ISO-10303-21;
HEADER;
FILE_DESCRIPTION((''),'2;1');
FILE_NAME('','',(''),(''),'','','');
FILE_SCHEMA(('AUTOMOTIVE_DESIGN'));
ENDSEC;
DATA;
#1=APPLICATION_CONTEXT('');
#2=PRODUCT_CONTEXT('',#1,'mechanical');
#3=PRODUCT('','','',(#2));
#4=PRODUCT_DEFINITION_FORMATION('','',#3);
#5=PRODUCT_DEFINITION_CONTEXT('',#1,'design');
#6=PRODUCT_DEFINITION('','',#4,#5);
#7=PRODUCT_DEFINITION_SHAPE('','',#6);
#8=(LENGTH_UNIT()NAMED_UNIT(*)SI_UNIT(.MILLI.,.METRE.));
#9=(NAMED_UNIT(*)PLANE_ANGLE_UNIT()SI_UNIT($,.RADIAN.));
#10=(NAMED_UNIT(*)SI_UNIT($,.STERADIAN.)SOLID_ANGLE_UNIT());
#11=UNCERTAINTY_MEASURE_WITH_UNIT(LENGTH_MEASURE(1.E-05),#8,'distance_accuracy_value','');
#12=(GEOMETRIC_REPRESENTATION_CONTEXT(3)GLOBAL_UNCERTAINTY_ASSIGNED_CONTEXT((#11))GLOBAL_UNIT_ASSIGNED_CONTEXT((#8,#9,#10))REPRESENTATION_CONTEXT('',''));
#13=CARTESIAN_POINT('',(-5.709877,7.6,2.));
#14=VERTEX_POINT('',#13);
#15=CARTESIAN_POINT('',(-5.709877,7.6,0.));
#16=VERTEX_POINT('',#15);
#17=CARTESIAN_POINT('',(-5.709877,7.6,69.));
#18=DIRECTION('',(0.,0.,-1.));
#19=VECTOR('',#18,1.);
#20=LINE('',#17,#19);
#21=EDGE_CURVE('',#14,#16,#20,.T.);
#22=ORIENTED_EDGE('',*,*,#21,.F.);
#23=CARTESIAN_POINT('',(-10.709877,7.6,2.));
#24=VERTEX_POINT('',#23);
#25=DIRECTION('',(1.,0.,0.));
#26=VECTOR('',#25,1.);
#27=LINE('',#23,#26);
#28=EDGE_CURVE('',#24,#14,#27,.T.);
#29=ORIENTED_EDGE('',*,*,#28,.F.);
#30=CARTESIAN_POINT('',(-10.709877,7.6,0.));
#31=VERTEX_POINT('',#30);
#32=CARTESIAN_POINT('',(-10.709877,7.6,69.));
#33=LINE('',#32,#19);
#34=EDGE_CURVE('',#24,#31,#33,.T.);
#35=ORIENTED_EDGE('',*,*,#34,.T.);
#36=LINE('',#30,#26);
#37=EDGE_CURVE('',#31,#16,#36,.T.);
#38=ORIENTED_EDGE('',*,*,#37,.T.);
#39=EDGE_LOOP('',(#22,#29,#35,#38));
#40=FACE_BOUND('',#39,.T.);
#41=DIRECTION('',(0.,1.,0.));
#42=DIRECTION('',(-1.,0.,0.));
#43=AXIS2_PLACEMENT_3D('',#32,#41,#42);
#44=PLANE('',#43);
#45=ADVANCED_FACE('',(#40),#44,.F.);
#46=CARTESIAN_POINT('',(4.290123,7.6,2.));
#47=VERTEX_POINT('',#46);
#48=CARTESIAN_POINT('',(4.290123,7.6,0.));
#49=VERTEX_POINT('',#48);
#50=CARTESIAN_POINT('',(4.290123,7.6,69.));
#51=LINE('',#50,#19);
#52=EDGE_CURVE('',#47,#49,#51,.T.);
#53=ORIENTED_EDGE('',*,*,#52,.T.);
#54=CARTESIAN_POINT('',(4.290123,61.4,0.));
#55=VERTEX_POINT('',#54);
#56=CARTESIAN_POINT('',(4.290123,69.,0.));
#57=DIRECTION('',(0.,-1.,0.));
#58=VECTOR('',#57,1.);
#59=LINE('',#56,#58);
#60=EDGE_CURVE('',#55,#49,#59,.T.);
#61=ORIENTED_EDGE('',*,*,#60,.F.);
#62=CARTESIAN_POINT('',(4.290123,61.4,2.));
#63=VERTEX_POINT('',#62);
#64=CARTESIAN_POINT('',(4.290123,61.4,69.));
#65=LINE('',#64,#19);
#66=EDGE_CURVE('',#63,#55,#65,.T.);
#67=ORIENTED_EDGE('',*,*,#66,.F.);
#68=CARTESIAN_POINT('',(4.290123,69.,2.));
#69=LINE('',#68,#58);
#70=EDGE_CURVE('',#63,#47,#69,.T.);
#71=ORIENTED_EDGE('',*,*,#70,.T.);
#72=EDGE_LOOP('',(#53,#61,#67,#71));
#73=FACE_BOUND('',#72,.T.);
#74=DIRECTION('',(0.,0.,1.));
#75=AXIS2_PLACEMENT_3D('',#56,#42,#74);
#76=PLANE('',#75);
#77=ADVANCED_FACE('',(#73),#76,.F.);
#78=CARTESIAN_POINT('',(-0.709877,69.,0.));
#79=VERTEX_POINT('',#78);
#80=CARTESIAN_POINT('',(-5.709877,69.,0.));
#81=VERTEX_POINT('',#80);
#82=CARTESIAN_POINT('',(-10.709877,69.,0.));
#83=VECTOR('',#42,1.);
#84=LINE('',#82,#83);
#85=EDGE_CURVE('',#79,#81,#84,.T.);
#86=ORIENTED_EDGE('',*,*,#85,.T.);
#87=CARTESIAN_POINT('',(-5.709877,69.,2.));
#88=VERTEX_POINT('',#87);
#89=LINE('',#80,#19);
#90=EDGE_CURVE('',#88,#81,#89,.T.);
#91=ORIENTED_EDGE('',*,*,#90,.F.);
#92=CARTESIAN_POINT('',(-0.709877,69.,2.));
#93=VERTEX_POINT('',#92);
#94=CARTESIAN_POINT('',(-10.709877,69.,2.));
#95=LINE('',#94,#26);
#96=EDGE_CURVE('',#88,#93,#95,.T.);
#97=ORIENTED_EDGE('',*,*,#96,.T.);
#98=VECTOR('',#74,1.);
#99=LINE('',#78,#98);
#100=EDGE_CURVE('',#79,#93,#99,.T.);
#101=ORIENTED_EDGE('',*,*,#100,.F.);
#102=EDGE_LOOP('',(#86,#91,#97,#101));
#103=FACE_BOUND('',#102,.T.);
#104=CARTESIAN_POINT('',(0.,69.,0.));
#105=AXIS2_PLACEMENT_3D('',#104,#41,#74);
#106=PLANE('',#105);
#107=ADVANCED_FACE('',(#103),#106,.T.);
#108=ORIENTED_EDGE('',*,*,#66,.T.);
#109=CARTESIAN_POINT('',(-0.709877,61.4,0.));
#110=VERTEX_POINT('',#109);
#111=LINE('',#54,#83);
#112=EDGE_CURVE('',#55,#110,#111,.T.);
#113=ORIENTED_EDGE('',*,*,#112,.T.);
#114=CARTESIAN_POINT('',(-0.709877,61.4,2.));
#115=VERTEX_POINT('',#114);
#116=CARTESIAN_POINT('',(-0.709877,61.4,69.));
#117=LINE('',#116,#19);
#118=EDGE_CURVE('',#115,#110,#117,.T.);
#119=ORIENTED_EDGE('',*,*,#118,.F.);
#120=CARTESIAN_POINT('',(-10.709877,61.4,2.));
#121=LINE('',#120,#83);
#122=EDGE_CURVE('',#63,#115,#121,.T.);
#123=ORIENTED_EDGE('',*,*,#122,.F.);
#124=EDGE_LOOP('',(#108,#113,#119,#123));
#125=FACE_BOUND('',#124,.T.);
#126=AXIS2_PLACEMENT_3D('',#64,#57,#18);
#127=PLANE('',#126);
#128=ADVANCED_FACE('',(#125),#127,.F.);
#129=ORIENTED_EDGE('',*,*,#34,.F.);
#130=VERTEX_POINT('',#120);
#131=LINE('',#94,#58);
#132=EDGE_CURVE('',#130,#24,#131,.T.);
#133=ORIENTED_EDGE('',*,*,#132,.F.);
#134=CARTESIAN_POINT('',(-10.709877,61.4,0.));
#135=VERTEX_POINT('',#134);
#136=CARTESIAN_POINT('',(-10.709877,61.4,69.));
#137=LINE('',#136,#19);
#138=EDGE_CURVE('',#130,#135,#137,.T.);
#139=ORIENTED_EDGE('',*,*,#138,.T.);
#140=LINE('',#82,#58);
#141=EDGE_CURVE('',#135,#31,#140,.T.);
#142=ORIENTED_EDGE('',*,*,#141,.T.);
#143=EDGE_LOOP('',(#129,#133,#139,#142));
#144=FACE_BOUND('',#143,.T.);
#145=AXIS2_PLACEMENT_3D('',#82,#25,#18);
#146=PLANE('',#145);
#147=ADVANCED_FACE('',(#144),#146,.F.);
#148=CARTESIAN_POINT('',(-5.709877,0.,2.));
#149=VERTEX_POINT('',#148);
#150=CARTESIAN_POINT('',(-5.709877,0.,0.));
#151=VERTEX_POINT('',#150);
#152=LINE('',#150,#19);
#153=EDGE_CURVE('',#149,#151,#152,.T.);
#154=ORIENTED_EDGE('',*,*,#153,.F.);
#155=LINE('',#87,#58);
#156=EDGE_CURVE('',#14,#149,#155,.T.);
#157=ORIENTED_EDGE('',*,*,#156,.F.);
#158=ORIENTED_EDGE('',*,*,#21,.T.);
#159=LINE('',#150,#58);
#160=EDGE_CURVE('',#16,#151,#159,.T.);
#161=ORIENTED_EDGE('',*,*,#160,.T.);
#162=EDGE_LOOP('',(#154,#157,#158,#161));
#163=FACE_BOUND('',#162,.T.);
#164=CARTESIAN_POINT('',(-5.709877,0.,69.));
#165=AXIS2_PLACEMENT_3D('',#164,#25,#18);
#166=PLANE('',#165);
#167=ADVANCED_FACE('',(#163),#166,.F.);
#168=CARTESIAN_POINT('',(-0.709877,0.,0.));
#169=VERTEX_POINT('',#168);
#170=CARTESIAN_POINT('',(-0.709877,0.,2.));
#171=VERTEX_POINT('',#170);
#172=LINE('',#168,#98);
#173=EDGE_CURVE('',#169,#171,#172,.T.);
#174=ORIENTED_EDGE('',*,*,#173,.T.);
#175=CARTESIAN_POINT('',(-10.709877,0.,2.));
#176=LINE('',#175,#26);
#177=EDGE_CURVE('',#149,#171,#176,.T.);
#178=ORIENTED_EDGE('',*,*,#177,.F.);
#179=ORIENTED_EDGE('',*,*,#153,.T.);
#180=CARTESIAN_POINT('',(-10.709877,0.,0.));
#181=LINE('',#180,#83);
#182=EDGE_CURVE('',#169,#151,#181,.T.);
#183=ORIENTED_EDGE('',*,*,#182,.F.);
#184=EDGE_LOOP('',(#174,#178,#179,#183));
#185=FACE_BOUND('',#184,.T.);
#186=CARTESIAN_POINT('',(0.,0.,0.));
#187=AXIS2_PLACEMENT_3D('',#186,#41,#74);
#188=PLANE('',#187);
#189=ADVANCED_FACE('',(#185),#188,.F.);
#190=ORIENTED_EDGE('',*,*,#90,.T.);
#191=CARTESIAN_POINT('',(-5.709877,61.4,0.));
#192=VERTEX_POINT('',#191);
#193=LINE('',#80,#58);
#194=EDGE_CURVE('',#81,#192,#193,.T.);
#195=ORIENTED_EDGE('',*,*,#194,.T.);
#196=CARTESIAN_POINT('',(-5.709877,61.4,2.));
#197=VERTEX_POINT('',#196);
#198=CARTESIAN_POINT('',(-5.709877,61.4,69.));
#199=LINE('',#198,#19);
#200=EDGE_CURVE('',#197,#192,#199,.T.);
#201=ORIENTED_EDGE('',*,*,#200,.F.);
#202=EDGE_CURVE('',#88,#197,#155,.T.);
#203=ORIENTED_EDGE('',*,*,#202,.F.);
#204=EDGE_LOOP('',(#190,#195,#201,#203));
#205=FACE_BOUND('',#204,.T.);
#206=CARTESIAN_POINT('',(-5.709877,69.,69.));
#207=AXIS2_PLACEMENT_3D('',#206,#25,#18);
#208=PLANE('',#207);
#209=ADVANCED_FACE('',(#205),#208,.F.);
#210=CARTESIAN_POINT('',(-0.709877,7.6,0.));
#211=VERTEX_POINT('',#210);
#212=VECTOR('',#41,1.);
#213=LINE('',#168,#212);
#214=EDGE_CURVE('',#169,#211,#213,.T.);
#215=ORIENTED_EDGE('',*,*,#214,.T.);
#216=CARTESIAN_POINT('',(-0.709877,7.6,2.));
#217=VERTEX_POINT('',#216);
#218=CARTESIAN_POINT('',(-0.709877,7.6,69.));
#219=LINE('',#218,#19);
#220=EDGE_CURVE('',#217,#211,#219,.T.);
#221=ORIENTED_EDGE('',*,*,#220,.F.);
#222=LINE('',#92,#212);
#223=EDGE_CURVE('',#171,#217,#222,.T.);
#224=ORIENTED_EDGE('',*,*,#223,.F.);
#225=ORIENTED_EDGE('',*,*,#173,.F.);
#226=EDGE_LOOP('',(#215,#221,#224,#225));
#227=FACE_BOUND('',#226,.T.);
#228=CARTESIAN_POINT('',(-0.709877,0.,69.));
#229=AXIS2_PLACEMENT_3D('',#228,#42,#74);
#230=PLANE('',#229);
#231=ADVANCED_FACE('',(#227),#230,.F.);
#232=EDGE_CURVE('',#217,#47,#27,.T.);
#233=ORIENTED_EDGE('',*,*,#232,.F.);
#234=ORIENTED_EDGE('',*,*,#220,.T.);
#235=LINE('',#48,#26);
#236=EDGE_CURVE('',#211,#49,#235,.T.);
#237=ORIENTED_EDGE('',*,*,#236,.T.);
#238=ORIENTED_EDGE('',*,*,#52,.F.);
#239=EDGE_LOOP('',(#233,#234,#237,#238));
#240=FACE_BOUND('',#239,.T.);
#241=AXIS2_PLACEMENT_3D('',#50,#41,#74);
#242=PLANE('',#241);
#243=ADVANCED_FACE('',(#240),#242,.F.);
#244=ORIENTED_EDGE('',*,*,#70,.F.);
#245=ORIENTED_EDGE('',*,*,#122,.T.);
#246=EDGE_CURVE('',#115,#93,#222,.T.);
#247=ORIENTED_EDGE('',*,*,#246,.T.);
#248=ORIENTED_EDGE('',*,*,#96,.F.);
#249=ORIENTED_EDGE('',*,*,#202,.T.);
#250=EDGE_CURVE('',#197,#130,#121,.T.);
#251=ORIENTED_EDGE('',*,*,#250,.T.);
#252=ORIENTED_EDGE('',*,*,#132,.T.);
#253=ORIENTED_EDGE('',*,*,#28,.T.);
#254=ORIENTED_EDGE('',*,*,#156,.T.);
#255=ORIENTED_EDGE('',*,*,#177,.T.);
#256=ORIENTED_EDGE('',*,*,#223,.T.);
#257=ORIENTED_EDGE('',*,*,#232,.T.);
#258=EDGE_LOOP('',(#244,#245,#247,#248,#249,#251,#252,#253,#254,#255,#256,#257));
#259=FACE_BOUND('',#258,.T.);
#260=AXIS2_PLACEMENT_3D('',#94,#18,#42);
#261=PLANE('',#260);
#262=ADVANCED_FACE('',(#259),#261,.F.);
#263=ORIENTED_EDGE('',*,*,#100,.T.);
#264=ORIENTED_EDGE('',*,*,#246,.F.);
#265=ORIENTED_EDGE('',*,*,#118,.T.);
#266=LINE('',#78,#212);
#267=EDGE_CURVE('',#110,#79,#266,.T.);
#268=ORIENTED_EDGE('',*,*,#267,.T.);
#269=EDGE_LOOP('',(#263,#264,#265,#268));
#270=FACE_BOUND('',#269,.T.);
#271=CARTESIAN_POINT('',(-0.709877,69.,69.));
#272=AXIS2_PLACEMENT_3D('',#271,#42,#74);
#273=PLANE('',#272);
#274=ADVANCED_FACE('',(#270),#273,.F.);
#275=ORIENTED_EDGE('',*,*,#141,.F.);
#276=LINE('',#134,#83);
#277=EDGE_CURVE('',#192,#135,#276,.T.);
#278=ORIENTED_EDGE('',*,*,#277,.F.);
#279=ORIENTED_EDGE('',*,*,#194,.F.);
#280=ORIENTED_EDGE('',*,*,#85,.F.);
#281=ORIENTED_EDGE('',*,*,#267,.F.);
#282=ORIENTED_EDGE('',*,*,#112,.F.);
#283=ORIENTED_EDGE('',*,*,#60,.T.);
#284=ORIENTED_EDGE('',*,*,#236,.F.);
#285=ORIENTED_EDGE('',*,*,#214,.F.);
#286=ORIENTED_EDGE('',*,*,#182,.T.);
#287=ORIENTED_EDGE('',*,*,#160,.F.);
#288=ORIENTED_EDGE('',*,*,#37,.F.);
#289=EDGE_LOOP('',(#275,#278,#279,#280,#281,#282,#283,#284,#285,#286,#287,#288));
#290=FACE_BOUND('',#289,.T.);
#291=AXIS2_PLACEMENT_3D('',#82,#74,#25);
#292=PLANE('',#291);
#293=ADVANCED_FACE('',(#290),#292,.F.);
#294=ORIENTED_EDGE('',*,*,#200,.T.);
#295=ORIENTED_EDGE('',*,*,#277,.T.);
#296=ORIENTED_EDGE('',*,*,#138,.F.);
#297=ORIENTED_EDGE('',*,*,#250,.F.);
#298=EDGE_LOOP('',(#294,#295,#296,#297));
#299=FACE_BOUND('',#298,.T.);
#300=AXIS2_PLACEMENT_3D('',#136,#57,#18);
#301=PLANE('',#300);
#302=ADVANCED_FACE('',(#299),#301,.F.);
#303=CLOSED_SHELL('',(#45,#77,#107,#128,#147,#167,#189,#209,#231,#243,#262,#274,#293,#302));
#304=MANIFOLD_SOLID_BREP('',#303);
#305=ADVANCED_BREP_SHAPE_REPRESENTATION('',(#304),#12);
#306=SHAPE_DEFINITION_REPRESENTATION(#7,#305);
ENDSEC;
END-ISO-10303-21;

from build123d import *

# Parameters (mm, degrees)
SKETCH_1_W          = 15
SKETCH_1_H          = 2
EXTRUDE_1_DEPTH     = 69
SKETCH_2_W          = 5
SKETCH_2_H          = 7.6
CUT_EXTRUDE_1_DEPTH = 69


with BuildPart() as part:
    # 草图1 → 凸台-拉伸1 (new body)
    with BuildSketch(Plane(origin=(0, 0, 0), x_dir=(1, 0, 0), z_dir=(0, 1, 0))):
        with Locations((-3.209876543, -1)):
            Rectangle(SKETCH_1_W, SKETCH_1_H)
    extrude(amount=EXTRUDE_1_DEPTH)

    # 草图2 → 切除-拉伸1 (cut)
    with BuildSketch(Plane(origin=(0, 0, 0), x_dir=(-1, 0, 0), z_dir=(0, 0, -1))):
        with Locations((8.209876543, 65.2)):
            Rectangle(SKETCH_2_W, SKETCH_2_H)
        with Locations((-1.790123457, 3.8)):
            Rectangle(SKETCH_2_W, SKETCH_2_H)
        with Locations((8.209876543, 3.8)):
            Rectangle(SKETCH_2_W, SKETCH_2_H)
        with Locations((-1.790123457, 65.2)):
            Rectangle(SKETCH_2_W, SKETCH_2_H)
    extrude(amount=-CUT_EXTRUDE_1_DEPTH, mode=Mode.SUBTRACT)


solid = part.part
